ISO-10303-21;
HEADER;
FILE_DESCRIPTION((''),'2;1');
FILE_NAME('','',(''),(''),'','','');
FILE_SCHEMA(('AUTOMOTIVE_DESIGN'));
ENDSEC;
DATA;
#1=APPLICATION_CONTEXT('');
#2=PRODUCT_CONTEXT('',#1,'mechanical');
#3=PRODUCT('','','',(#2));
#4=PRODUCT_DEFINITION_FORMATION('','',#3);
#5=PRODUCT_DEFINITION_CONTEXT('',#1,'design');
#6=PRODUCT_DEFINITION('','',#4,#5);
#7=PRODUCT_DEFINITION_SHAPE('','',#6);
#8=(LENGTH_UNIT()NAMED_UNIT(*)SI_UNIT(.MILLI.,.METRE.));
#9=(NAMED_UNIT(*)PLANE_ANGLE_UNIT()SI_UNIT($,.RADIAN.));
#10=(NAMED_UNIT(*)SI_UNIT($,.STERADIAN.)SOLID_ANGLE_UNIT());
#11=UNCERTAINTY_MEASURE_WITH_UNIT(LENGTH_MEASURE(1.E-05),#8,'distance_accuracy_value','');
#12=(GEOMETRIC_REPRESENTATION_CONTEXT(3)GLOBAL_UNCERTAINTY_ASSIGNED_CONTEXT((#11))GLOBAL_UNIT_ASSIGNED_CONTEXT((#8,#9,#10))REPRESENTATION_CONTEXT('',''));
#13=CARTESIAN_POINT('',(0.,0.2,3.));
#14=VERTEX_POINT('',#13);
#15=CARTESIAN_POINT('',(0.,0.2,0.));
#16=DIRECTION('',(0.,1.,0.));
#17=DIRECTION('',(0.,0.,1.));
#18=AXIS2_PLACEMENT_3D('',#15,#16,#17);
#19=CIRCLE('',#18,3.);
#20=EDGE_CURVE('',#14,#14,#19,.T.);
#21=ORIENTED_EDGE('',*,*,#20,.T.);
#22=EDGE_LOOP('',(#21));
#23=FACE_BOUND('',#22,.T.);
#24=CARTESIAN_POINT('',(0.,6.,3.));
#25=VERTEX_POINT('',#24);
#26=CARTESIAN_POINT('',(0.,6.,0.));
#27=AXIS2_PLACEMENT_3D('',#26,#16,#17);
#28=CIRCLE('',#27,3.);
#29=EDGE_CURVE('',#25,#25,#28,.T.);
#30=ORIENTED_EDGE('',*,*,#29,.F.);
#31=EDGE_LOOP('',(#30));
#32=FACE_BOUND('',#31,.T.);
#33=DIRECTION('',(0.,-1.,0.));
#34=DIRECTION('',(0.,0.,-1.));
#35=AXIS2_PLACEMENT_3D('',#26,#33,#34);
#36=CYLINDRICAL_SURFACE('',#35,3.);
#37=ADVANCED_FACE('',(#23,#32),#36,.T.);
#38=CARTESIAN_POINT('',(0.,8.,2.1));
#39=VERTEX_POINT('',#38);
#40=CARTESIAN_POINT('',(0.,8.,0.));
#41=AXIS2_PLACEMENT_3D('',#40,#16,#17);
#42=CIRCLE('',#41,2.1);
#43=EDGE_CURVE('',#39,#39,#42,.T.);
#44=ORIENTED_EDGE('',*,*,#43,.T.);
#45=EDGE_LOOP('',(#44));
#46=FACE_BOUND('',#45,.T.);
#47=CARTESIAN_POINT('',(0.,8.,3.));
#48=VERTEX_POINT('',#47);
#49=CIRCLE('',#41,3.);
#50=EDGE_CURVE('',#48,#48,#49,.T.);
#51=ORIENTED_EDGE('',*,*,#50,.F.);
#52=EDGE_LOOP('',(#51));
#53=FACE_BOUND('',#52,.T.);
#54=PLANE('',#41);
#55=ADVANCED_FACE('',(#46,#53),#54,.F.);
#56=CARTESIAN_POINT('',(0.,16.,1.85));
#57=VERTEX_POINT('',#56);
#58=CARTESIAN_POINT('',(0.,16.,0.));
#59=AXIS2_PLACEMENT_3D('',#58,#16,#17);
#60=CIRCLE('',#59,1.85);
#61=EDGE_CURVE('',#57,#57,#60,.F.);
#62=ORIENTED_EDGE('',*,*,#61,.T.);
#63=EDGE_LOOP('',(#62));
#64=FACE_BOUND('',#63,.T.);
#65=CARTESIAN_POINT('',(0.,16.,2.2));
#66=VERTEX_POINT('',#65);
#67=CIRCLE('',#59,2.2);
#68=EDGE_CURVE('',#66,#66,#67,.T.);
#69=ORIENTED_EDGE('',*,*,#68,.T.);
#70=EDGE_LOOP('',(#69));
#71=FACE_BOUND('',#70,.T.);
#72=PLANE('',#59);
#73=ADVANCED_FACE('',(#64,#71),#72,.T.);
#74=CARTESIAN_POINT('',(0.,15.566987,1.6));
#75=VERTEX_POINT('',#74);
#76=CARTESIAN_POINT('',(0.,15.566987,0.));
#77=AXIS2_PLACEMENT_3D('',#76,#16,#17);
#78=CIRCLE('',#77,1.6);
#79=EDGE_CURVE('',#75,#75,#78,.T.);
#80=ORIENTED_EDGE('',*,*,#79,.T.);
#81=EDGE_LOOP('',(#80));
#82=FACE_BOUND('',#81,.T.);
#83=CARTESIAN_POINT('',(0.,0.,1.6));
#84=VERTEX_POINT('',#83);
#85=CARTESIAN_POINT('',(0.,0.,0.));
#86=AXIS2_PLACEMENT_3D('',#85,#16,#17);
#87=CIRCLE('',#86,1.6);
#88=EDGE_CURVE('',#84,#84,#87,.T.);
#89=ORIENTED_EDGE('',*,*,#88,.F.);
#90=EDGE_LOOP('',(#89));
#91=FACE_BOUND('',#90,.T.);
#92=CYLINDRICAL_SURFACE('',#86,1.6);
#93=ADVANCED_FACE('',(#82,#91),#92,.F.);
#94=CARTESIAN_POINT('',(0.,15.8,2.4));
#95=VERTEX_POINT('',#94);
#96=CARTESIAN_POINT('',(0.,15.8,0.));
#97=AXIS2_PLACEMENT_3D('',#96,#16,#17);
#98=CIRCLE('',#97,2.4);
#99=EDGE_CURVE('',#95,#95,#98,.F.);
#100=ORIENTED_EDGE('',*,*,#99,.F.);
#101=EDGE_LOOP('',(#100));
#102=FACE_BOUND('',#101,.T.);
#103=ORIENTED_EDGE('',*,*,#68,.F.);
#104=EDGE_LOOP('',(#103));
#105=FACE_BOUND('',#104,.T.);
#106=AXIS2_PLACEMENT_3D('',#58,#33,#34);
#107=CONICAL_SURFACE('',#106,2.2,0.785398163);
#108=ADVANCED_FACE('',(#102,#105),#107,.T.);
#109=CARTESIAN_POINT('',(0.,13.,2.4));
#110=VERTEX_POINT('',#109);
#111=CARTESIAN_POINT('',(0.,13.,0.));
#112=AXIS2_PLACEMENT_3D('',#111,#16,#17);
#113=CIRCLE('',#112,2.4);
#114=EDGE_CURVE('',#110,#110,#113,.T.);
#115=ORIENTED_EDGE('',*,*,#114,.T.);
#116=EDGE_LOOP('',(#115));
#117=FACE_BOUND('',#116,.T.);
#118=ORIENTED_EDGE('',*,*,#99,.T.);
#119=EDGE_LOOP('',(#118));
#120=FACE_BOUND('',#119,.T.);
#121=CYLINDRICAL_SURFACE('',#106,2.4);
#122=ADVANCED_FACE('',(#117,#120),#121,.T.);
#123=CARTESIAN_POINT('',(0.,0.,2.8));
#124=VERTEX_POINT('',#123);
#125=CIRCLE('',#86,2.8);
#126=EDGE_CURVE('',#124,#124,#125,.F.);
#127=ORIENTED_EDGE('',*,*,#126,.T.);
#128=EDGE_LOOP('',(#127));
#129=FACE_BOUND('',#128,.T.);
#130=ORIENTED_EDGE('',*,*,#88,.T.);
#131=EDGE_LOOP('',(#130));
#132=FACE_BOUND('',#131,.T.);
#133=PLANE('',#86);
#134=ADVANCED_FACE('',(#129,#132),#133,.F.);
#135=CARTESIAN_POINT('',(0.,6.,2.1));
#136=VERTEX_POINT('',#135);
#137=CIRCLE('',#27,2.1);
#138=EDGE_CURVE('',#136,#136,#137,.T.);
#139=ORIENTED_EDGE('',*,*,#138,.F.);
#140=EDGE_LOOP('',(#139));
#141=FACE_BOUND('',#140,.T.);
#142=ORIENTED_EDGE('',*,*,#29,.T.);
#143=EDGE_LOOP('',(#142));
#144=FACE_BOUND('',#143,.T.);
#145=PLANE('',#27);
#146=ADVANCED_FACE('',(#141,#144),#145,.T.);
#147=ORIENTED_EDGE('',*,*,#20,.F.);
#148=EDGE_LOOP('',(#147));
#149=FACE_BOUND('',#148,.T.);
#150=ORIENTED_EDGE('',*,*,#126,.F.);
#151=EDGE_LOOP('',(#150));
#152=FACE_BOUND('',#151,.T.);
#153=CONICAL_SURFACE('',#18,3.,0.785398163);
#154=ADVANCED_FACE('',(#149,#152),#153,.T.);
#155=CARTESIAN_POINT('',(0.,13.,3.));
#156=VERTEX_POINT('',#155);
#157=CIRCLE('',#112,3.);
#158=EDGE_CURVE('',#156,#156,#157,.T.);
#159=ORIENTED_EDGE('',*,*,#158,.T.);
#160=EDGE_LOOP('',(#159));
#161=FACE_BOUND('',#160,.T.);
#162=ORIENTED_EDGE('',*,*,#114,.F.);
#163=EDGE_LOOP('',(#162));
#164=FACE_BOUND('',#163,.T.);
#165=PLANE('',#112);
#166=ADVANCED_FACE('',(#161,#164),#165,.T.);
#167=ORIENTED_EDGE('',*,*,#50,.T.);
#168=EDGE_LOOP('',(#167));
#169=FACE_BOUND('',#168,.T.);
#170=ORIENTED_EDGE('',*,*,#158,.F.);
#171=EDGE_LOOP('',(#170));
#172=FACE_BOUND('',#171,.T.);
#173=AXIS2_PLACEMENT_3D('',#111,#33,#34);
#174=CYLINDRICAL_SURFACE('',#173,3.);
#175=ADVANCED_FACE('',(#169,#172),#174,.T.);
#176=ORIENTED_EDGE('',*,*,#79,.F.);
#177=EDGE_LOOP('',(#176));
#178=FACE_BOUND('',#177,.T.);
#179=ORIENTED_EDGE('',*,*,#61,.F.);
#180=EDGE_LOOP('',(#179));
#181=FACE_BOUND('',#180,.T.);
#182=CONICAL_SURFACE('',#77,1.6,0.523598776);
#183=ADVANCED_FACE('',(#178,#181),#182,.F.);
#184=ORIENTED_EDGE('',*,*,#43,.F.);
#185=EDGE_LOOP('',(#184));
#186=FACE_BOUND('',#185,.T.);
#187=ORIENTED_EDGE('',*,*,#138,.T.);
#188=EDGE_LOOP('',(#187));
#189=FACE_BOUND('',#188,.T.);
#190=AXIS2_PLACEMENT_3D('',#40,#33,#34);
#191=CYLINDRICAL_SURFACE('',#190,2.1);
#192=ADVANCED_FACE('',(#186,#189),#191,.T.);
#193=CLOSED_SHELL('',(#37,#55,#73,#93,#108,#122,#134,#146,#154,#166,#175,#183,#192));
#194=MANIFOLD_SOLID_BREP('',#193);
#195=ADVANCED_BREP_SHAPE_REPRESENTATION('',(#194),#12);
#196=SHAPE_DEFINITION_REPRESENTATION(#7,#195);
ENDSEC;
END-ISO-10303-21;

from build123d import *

# Parameters (mm, degrees)
SKETCH1_R               = 3
BOSS_EXTRUDE1_DEPTH     = 6
SKETCH2_R               = 2.1
BOSS_EXTRUDE2_DEPTH     = 2
SKETCH3_R               = 3
BOSS_EXTRUDE3_DEPTH     = 5
SKETCH4_R               = 1.6
CUT_EXTRUDE1_DEPTH      = 14
CROQUIS1_R              = 2.4
CROQUIS1_R_2            = 1.6
SALIENTE_EXTRUIR1_DEPTH = 3
CHAFL_N1_SIZE           = 0.2
CHAFL_N2_SIZE           = 0.2
CHAFL_N3_SIZE           = 0.25
CHAFL_N3_SIZE2          = 0.433012702


with BuildPart() as part:
    # Sketch1 → Boss-Extrude1 (new body)
    with BuildSketch(Plane(origin=(0, 0, 0), x_dir=(1, 0, 0), z_dir=(0, 1, 0))):
        Circle(SKETCH1_R)
    extrude(amount=BOSS_EXTRUDE1_DEPTH)

    # Sketch2 → Boss-Extrude2 (add)
    with BuildSketch(Plane(origin=(0, 6, 0), x_dir=(1, 0, 0), z_dir=(0, 1, 0))):
        Circle(SKETCH2_R)
    extrude(amount=BOSS_EXTRUDE2_DEPTH)

    # Sketch3 → Boss-Extrude3 (add)
    with BuildSketch(Plane(origin=(0, 8, 0), x_dir=(1, 0, 0), z_dir=(0, 1, 0))):
        Circle(SKETCH3_R)
    extrude(amount=BOSS_EXTRUDE3_DEPTH)

    # Sketch4 → Cut-Extrude1 (cut, through all)
    with BuildSketch(Plane(origin=(0, 13, 0), x_dir=(1, 0, 0), z_dir=(0, 1, 0))):
        Circle(SKETCH4_R)
    extrude(amount=-CUT_EXTRUDE1_DEPTH, mode=Mode.SUBTRACT)

    # Croquis1 → Saliente-Extruir1 (add)
    with BuildSketch(Plane(origin=(0, 13, 0), x_dir=(1, 0, 0), z_dir=(0, 1, 0))):
        Circle(CROQUIS1_R)
        Circle(CROQUIS1_R_2, mode=Mode.SUBTRACT)
    extrude(amount=SALIENTE_EXTRUIR1_DEPTH)

    # Chaflán1
    chafl_n1_edges = [part.edges().sort_by_distance(p)[0] for p in [
        (-2.4, 16, 0),
    ]]
    chamfer(chafl_n1_edges, length=CHAFL_N1_SIZE)

    # Chaflán2
    chafl_n2_edges = [part.edges().sort_by_distance(p)[0] for p in [
        (-3, 0, 0),
    ]]
    chamfer(chafl_n2_edges, length=CHAFL_N2_SIZE)

    # Chaflán3
    chafl_n3_edges = [part.edges().sort_by_distance(p)[0] for p in [
        (-1.6, 16, 0),
    ]]
    chafl_n3_side = [part.faces().sort_by_distance(p)[0] for p in [
        (-2.137774603, 16, 0),
    ]]
    chamfer(chafl_n3_edges, length=CHAFL_N3_SIZE, length2=CHAFL_N3_SIZE2, reference=chafl_n3_side[0])


solid = part.part
